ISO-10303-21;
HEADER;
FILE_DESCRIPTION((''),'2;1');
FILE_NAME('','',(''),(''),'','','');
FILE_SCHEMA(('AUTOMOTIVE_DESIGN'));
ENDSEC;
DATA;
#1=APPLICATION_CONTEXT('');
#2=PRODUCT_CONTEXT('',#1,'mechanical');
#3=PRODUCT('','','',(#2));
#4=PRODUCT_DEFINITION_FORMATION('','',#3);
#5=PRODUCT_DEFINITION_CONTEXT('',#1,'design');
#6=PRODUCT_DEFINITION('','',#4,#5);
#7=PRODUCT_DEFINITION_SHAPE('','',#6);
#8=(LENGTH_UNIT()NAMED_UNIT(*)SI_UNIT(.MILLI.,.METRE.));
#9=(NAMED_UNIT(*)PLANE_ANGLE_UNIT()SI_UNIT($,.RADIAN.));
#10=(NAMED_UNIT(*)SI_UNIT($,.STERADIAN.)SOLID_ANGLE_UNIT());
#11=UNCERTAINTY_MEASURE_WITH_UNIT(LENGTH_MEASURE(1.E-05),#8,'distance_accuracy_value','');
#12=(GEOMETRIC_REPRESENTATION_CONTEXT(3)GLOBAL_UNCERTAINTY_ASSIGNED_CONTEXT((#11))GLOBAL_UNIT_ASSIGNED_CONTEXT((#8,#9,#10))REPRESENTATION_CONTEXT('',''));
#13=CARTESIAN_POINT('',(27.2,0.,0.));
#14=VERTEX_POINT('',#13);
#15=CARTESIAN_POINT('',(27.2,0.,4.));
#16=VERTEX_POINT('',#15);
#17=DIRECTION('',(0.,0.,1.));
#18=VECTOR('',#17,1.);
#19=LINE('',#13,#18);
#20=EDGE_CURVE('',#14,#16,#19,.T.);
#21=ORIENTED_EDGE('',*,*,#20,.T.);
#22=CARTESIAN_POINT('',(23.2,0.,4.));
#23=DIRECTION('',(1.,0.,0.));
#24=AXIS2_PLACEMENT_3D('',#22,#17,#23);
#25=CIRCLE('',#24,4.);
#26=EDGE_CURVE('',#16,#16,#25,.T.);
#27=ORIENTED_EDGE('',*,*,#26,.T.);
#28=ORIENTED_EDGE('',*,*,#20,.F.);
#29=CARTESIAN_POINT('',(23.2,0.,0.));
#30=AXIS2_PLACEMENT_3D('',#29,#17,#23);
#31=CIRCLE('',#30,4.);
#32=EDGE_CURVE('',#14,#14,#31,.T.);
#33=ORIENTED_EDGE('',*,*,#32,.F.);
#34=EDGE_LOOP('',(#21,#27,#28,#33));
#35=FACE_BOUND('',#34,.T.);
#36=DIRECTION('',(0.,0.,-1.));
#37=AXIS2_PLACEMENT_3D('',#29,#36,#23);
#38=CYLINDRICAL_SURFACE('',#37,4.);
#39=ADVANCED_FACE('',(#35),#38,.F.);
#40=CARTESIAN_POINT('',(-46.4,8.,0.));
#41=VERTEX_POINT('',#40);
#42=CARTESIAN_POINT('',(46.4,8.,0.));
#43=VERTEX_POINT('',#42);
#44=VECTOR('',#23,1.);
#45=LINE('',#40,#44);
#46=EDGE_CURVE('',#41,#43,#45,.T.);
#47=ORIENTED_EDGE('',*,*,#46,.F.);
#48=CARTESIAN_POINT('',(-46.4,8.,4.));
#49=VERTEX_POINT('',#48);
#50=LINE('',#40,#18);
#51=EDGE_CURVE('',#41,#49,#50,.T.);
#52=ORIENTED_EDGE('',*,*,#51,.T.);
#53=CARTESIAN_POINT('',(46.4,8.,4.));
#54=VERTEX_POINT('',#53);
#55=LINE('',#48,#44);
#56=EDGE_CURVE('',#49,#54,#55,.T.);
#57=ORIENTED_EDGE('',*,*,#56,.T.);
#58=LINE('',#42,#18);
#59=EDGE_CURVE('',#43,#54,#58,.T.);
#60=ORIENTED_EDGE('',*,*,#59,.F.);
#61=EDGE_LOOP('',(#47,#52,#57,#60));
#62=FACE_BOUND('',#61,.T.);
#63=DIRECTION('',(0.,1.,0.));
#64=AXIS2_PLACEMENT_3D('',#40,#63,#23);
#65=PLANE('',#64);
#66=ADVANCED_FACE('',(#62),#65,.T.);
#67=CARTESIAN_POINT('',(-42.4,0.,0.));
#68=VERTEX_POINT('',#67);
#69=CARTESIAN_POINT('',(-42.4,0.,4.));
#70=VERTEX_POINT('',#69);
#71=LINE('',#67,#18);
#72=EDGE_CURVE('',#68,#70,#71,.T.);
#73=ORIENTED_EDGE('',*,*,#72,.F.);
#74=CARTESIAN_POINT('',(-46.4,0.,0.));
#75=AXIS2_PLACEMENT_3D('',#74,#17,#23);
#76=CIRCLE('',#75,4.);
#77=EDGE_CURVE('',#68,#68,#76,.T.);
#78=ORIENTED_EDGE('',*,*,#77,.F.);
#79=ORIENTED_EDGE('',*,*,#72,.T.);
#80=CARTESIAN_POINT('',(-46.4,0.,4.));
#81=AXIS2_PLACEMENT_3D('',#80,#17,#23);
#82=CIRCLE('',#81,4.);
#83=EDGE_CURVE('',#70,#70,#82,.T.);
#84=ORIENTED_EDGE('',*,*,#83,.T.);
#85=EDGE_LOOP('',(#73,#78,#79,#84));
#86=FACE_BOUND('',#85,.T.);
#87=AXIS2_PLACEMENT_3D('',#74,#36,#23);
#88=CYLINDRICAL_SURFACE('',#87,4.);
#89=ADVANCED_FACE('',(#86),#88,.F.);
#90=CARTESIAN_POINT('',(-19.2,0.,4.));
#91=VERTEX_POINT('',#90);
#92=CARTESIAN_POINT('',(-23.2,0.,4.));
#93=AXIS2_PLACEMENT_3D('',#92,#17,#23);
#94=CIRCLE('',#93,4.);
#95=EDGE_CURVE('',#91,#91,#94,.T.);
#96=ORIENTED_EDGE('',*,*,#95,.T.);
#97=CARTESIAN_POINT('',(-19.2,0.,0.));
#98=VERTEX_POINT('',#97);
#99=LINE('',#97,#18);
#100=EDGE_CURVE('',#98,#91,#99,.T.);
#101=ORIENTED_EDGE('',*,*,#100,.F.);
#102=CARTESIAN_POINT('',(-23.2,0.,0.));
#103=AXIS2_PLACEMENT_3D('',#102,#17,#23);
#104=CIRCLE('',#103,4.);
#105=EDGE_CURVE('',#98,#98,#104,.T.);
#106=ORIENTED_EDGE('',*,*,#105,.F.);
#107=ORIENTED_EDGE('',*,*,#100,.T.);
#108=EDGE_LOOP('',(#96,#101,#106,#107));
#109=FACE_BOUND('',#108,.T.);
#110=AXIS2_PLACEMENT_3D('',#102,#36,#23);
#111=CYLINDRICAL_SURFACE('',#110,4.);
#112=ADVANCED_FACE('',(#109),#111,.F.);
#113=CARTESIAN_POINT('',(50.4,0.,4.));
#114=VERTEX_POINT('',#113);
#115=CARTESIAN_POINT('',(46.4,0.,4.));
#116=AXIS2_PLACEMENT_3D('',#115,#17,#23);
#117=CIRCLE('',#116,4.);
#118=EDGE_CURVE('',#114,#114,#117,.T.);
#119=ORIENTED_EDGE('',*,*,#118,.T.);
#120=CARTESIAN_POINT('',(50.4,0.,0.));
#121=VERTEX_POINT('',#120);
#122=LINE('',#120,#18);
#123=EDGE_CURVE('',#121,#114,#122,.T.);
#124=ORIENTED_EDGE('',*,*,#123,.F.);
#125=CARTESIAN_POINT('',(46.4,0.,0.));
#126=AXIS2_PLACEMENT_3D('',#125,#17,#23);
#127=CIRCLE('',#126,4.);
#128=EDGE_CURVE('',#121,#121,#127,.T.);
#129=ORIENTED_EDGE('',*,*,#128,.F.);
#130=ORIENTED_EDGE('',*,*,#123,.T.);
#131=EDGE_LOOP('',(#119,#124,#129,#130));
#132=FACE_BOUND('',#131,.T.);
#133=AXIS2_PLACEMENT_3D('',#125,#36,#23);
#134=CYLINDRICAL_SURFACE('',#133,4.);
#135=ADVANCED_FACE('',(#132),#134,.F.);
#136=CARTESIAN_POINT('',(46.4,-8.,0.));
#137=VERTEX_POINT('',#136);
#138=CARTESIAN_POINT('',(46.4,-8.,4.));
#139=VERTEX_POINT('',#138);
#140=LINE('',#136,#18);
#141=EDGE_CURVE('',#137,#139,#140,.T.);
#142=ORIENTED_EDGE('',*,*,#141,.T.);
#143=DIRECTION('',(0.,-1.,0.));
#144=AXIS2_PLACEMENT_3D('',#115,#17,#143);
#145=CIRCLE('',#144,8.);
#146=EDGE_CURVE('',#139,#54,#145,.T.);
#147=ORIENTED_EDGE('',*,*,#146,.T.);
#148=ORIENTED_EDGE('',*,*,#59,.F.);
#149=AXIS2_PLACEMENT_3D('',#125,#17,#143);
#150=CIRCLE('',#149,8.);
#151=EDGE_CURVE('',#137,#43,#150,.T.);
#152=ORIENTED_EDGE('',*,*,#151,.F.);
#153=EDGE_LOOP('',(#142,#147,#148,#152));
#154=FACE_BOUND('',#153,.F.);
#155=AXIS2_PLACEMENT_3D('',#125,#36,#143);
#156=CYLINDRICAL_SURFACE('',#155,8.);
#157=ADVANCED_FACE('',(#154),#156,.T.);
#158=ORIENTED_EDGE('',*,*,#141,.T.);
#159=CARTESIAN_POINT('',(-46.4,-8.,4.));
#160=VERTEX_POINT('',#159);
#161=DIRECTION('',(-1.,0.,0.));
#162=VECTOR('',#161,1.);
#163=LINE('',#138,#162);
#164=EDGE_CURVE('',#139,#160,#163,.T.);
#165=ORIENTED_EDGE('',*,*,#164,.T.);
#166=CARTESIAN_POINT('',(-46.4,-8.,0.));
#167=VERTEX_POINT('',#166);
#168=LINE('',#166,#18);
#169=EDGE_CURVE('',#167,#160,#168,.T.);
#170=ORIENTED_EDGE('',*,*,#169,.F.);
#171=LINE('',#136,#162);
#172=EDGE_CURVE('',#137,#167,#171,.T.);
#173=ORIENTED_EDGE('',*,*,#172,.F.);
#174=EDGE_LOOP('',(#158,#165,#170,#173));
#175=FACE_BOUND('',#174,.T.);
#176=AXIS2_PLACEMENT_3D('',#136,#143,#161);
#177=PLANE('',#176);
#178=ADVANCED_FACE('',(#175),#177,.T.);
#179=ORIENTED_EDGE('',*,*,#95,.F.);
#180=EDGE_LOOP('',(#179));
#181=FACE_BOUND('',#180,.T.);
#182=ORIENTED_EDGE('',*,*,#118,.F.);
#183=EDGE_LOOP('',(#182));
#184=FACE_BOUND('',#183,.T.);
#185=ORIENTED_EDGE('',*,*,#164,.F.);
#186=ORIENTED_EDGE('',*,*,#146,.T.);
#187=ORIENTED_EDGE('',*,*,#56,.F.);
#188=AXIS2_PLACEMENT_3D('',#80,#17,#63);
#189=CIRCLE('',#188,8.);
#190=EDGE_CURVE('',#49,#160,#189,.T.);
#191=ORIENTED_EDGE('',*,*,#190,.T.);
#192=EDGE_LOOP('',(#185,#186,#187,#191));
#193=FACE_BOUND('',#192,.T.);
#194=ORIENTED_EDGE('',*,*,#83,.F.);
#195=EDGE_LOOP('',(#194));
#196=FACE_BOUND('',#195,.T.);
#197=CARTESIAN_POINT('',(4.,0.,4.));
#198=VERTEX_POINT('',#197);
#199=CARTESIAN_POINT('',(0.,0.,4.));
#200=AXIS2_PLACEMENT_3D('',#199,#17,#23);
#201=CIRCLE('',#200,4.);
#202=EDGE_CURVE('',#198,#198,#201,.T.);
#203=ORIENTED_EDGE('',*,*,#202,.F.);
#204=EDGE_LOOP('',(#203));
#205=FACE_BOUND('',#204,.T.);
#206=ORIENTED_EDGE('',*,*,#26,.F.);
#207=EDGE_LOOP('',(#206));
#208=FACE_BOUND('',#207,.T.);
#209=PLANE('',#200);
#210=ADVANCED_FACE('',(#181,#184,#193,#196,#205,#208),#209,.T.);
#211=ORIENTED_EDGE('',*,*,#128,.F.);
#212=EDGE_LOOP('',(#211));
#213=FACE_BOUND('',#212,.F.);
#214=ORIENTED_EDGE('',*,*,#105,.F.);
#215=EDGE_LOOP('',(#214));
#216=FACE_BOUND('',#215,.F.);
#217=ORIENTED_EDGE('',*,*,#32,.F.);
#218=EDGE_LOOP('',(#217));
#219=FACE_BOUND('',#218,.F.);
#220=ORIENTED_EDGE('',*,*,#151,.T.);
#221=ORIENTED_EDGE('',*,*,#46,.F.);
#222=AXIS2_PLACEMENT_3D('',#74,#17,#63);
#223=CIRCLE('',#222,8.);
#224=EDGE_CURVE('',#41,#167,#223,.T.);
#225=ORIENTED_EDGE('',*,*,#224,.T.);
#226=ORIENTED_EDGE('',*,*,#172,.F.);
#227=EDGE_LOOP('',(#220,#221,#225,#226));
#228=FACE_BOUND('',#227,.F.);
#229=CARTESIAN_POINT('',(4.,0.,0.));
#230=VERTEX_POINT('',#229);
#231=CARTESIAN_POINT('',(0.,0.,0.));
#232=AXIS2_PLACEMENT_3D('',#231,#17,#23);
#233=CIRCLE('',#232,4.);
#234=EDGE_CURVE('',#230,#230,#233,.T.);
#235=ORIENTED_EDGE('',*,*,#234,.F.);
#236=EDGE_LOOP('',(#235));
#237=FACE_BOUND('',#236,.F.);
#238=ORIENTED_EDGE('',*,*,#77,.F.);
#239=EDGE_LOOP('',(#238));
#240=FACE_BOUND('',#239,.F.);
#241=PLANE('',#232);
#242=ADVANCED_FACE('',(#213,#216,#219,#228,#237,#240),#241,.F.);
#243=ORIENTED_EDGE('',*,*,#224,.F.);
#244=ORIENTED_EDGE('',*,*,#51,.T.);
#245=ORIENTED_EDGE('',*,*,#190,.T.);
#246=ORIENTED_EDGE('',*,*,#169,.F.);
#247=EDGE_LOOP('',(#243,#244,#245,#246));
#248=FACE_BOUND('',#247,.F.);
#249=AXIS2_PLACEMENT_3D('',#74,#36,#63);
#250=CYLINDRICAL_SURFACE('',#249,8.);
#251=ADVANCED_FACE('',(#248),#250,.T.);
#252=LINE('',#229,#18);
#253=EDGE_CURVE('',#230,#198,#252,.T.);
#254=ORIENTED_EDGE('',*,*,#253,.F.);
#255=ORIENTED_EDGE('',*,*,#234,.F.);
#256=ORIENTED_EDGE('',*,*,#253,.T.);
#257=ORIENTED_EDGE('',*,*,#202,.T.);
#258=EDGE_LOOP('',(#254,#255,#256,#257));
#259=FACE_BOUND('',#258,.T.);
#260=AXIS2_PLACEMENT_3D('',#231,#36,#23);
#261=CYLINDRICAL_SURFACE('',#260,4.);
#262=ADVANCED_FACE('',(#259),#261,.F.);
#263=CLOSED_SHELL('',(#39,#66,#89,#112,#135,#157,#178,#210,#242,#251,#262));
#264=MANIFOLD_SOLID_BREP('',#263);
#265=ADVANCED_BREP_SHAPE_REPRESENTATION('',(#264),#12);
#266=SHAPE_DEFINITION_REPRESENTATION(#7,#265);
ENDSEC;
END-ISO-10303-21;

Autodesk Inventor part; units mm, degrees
ref_plane "YZ Plane" through (0, 0, 0) normal (1, 0, 0) x (0, 1, 0)
ref_plane "XZ Plane" through (0, 0, 0) normal (0, 1, 0) x (-1, 0, 0)
ref_plane "XY Plane" through (0, 0, 0) normal (0, 0, 1) x (1, 0, 0)
sketch "Sketch1" plane through (0, 0, 0) normal (0, 0, 1) x (1, 0, 0)
  line L0 (-46.4, 0) -> (46.4, 0) construction
  line L1 (-46.4, 8) -> (46.4, 8)
  line L2 (46.4, -8) -> (-46.4, -8)
  arc A0 (-46.4, 8) -> (-46.4, -8) centre (-46.4, 0) ccw
  arc A1 (46.4, -8) -> (46.4, 8) centre (46.4, 0) ccw
  circle A2 centre (-46.4, 0) radius 4
  circle A3 centre (46.4, 0) radius 4
  circle A4 centre (0, 0) radius 4
  circle A5 centre (-23.2, 0) radius 4
  circle A6 centre (23.2, 0) radius 4
  dimension "d0" = 8
  dimension "d1" = 4
  dimension "d2" = 23.2
  dimension "d3" = 23.2
  dimension "d4" = 23.2
extrude "Plate1" add sketch "Sketch1" along normal blind 4
equation "\"d3\" = d2"
equation "\"d4\" = d2"
equation "\"BendRadius\" = Thickness"
equation "\"BendReliefWidth\" = Thickness"
equation "\"BendReliefDepth\" = 0.5 * Thickness"
equation "\"CornerReliefSize\" = 4 * Thickness"
equation "\"MinimumRemnant\" = 2 * Thickness"
equation "\"TransitionRadius\" = BendRadius"
equation "\"JacobiRadiusSize\" = BendRadius"
equation "\"GapSize\" = Thickness"
equation "\"d5\" = BendRadius"
equation "\"Thickness\" = 4"
properties part number "agregador-cilindros" material "PMMA Plastic"
